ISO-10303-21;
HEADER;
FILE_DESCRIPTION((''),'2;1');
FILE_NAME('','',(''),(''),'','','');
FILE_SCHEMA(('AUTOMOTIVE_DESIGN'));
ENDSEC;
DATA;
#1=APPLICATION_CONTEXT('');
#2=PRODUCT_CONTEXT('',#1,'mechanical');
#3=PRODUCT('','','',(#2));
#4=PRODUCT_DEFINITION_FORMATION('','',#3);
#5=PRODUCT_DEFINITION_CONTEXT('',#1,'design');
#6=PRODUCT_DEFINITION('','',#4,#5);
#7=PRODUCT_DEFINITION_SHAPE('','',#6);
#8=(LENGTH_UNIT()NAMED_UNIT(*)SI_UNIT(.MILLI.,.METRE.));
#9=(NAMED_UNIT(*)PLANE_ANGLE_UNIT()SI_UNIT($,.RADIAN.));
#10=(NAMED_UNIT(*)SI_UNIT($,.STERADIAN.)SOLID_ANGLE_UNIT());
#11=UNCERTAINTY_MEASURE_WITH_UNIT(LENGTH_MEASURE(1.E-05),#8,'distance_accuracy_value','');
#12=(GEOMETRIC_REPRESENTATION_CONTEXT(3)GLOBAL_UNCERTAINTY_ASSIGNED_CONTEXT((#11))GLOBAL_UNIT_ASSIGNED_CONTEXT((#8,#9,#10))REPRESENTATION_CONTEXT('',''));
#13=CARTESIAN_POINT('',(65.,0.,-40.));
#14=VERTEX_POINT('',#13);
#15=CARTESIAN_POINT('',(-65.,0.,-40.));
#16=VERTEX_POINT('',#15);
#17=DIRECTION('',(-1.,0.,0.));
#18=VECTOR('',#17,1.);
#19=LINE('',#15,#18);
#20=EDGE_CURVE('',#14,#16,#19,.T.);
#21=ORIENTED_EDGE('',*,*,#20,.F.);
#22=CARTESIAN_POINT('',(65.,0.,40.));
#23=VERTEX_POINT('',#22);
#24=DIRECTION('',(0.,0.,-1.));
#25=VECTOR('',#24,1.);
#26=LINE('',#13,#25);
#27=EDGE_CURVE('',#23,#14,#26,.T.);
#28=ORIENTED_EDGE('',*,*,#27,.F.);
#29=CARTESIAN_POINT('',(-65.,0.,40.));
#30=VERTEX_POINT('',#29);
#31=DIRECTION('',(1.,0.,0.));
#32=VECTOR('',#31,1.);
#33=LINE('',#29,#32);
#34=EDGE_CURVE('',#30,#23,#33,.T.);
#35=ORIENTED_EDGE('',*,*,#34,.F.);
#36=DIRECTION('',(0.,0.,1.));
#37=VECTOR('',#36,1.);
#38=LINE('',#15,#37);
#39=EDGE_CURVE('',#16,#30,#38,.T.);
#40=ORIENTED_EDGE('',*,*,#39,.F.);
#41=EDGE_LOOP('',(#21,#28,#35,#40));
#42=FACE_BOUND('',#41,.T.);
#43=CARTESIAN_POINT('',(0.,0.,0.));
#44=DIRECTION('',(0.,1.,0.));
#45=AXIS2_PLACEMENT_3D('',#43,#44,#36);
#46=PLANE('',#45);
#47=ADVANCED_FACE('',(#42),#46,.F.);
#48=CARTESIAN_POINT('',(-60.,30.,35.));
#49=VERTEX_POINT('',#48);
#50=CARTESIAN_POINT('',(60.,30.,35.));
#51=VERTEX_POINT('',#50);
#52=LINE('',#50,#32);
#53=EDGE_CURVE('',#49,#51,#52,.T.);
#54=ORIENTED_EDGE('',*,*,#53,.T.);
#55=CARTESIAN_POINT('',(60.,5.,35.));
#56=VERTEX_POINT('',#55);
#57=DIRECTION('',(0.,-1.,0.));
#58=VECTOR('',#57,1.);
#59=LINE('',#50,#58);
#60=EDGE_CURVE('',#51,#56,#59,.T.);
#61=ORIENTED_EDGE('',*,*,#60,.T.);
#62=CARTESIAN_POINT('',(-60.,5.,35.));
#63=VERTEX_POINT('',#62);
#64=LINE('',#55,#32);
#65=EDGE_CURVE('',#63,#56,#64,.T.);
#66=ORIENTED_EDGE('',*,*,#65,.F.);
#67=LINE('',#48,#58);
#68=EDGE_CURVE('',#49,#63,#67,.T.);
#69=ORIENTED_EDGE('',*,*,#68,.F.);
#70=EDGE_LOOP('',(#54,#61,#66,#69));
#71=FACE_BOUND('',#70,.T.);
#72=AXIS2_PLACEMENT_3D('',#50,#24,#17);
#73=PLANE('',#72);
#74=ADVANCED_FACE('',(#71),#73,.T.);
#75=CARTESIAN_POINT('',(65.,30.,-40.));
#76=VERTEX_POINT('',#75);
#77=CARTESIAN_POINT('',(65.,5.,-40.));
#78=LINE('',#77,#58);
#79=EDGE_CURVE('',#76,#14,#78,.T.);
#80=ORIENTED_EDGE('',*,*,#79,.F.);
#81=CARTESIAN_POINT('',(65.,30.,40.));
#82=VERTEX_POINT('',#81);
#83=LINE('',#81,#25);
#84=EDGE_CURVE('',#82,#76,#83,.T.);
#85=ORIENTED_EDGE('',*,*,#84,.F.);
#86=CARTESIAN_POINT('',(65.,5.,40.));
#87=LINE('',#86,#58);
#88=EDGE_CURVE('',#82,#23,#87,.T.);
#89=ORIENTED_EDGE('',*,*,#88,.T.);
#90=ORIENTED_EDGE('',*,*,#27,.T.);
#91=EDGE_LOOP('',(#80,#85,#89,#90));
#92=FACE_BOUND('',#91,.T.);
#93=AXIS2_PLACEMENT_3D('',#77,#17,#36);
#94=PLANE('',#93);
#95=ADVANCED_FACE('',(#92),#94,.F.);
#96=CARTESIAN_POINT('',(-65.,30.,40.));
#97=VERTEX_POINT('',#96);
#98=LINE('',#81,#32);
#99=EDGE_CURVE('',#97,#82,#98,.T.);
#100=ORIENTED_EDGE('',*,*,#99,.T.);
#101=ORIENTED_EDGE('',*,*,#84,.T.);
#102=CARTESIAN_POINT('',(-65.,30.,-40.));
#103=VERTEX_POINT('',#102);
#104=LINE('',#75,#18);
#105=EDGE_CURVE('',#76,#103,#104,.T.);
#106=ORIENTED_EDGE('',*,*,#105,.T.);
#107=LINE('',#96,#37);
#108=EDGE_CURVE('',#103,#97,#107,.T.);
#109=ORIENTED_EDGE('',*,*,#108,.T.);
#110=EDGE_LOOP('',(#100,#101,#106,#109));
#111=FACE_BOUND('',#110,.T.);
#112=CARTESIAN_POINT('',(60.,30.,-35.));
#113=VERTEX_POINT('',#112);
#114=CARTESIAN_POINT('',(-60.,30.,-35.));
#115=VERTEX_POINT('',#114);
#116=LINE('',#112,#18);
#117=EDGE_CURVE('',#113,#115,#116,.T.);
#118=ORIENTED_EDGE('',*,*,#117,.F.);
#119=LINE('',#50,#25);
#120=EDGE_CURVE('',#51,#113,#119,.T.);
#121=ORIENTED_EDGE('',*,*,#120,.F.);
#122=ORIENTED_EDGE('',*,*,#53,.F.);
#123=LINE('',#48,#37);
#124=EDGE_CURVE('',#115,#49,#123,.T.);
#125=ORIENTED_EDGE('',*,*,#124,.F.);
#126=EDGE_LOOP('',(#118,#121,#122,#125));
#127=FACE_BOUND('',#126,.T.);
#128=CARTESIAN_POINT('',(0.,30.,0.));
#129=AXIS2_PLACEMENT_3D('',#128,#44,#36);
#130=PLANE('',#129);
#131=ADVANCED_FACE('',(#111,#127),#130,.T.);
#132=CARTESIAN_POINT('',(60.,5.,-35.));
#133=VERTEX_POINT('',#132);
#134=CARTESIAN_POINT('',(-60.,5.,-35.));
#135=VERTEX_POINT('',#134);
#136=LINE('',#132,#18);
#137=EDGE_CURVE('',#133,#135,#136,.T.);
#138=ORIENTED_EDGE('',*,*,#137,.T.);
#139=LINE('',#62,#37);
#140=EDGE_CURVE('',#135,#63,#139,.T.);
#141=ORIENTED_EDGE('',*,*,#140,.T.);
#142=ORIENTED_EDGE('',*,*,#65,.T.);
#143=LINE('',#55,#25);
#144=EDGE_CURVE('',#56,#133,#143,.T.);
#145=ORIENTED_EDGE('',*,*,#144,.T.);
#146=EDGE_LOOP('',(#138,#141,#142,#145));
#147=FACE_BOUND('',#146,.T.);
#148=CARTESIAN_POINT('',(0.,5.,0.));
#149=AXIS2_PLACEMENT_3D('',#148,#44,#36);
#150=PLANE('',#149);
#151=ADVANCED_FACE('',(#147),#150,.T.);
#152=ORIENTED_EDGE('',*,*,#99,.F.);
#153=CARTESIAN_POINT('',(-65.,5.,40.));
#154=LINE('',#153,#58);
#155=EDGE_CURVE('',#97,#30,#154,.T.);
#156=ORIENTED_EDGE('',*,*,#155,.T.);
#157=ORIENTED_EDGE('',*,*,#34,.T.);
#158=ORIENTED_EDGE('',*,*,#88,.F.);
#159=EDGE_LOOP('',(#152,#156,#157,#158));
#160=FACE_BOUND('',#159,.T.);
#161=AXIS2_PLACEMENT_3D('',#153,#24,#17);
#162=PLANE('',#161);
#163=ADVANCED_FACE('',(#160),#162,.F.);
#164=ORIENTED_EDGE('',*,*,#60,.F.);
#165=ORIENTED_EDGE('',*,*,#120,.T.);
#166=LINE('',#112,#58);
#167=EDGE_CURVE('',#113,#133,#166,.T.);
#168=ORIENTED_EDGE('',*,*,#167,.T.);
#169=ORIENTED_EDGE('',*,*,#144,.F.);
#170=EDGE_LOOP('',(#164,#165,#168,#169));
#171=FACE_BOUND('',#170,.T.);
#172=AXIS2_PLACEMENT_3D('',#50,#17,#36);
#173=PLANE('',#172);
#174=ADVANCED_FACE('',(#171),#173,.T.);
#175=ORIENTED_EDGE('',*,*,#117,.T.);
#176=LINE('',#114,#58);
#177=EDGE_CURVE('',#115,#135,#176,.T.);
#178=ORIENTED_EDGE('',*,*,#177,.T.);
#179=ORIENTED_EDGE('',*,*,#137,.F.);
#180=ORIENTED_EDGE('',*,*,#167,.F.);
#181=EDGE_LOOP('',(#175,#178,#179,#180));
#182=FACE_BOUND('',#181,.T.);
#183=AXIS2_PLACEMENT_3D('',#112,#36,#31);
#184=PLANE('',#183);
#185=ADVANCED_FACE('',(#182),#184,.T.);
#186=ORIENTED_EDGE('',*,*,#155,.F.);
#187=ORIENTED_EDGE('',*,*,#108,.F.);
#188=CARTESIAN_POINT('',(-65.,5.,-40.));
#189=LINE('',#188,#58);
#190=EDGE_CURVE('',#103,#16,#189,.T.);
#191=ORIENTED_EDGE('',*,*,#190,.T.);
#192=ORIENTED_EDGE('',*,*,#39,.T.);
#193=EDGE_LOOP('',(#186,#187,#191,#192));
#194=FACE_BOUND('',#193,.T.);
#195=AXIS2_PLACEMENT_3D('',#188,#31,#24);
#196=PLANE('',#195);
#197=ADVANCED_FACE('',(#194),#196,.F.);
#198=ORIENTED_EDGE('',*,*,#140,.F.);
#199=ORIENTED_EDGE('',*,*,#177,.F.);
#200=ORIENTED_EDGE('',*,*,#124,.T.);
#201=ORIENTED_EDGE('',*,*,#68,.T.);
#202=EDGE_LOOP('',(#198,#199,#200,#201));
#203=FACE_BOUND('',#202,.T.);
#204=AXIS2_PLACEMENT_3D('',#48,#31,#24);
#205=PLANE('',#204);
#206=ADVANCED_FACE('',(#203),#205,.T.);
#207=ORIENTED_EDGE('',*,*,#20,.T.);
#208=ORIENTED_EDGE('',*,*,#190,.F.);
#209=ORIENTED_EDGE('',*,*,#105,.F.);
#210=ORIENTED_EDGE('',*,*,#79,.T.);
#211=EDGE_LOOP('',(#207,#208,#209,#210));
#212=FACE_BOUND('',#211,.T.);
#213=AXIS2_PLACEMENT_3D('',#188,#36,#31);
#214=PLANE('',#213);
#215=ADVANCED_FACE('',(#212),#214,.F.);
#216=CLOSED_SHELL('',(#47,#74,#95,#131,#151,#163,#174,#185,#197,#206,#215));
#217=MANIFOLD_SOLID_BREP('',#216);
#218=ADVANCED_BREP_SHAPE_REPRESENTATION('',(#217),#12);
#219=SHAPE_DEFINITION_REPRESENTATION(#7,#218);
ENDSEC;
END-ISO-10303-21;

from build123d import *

# Parameters (mm, degrees)
SKETCH1_W           = 130
SKETCH1_H           = 80
BOSS_EXTRUDE1_DEPTH = 5
SKETCH2_W           = 130
SKETCH2_H           = 80
SKETCH2_W_2         = 120
SKETCH2_H_2         = 70
BOSS_EXTRUDE2_DEPTH = 25


with BuildPart() as part:
    # Sketch1 → Boss-Extrude1 (new body)
    with BuildSketch(Plane(origin=(0, 0, 0), x_dir=(1, 0, 0), z_dir=(0, 1, 0))):
        Rectangle(SKETCH1_W, SKETCH1_H)
    extrude(amount=BOSS_EXTRUDE1_DEPTH)

    # Sketch2 → Boss-Extrude2 (add)
    with BuildSketch(Plane(origin=(0, 5, 0), x_dir=(1, 0, 0), z_dir=(0, 1, 0))):
        Rectangle(SKETCH2_W, SKETCH2_H)
        Rectangle(SKETCH2_W_2, SKETCH2_H_2, mode=Mode.SUBTRACT)
    extrude(amount=BOSS_EXTRUDE2_DEPTH)


solid = part.part
